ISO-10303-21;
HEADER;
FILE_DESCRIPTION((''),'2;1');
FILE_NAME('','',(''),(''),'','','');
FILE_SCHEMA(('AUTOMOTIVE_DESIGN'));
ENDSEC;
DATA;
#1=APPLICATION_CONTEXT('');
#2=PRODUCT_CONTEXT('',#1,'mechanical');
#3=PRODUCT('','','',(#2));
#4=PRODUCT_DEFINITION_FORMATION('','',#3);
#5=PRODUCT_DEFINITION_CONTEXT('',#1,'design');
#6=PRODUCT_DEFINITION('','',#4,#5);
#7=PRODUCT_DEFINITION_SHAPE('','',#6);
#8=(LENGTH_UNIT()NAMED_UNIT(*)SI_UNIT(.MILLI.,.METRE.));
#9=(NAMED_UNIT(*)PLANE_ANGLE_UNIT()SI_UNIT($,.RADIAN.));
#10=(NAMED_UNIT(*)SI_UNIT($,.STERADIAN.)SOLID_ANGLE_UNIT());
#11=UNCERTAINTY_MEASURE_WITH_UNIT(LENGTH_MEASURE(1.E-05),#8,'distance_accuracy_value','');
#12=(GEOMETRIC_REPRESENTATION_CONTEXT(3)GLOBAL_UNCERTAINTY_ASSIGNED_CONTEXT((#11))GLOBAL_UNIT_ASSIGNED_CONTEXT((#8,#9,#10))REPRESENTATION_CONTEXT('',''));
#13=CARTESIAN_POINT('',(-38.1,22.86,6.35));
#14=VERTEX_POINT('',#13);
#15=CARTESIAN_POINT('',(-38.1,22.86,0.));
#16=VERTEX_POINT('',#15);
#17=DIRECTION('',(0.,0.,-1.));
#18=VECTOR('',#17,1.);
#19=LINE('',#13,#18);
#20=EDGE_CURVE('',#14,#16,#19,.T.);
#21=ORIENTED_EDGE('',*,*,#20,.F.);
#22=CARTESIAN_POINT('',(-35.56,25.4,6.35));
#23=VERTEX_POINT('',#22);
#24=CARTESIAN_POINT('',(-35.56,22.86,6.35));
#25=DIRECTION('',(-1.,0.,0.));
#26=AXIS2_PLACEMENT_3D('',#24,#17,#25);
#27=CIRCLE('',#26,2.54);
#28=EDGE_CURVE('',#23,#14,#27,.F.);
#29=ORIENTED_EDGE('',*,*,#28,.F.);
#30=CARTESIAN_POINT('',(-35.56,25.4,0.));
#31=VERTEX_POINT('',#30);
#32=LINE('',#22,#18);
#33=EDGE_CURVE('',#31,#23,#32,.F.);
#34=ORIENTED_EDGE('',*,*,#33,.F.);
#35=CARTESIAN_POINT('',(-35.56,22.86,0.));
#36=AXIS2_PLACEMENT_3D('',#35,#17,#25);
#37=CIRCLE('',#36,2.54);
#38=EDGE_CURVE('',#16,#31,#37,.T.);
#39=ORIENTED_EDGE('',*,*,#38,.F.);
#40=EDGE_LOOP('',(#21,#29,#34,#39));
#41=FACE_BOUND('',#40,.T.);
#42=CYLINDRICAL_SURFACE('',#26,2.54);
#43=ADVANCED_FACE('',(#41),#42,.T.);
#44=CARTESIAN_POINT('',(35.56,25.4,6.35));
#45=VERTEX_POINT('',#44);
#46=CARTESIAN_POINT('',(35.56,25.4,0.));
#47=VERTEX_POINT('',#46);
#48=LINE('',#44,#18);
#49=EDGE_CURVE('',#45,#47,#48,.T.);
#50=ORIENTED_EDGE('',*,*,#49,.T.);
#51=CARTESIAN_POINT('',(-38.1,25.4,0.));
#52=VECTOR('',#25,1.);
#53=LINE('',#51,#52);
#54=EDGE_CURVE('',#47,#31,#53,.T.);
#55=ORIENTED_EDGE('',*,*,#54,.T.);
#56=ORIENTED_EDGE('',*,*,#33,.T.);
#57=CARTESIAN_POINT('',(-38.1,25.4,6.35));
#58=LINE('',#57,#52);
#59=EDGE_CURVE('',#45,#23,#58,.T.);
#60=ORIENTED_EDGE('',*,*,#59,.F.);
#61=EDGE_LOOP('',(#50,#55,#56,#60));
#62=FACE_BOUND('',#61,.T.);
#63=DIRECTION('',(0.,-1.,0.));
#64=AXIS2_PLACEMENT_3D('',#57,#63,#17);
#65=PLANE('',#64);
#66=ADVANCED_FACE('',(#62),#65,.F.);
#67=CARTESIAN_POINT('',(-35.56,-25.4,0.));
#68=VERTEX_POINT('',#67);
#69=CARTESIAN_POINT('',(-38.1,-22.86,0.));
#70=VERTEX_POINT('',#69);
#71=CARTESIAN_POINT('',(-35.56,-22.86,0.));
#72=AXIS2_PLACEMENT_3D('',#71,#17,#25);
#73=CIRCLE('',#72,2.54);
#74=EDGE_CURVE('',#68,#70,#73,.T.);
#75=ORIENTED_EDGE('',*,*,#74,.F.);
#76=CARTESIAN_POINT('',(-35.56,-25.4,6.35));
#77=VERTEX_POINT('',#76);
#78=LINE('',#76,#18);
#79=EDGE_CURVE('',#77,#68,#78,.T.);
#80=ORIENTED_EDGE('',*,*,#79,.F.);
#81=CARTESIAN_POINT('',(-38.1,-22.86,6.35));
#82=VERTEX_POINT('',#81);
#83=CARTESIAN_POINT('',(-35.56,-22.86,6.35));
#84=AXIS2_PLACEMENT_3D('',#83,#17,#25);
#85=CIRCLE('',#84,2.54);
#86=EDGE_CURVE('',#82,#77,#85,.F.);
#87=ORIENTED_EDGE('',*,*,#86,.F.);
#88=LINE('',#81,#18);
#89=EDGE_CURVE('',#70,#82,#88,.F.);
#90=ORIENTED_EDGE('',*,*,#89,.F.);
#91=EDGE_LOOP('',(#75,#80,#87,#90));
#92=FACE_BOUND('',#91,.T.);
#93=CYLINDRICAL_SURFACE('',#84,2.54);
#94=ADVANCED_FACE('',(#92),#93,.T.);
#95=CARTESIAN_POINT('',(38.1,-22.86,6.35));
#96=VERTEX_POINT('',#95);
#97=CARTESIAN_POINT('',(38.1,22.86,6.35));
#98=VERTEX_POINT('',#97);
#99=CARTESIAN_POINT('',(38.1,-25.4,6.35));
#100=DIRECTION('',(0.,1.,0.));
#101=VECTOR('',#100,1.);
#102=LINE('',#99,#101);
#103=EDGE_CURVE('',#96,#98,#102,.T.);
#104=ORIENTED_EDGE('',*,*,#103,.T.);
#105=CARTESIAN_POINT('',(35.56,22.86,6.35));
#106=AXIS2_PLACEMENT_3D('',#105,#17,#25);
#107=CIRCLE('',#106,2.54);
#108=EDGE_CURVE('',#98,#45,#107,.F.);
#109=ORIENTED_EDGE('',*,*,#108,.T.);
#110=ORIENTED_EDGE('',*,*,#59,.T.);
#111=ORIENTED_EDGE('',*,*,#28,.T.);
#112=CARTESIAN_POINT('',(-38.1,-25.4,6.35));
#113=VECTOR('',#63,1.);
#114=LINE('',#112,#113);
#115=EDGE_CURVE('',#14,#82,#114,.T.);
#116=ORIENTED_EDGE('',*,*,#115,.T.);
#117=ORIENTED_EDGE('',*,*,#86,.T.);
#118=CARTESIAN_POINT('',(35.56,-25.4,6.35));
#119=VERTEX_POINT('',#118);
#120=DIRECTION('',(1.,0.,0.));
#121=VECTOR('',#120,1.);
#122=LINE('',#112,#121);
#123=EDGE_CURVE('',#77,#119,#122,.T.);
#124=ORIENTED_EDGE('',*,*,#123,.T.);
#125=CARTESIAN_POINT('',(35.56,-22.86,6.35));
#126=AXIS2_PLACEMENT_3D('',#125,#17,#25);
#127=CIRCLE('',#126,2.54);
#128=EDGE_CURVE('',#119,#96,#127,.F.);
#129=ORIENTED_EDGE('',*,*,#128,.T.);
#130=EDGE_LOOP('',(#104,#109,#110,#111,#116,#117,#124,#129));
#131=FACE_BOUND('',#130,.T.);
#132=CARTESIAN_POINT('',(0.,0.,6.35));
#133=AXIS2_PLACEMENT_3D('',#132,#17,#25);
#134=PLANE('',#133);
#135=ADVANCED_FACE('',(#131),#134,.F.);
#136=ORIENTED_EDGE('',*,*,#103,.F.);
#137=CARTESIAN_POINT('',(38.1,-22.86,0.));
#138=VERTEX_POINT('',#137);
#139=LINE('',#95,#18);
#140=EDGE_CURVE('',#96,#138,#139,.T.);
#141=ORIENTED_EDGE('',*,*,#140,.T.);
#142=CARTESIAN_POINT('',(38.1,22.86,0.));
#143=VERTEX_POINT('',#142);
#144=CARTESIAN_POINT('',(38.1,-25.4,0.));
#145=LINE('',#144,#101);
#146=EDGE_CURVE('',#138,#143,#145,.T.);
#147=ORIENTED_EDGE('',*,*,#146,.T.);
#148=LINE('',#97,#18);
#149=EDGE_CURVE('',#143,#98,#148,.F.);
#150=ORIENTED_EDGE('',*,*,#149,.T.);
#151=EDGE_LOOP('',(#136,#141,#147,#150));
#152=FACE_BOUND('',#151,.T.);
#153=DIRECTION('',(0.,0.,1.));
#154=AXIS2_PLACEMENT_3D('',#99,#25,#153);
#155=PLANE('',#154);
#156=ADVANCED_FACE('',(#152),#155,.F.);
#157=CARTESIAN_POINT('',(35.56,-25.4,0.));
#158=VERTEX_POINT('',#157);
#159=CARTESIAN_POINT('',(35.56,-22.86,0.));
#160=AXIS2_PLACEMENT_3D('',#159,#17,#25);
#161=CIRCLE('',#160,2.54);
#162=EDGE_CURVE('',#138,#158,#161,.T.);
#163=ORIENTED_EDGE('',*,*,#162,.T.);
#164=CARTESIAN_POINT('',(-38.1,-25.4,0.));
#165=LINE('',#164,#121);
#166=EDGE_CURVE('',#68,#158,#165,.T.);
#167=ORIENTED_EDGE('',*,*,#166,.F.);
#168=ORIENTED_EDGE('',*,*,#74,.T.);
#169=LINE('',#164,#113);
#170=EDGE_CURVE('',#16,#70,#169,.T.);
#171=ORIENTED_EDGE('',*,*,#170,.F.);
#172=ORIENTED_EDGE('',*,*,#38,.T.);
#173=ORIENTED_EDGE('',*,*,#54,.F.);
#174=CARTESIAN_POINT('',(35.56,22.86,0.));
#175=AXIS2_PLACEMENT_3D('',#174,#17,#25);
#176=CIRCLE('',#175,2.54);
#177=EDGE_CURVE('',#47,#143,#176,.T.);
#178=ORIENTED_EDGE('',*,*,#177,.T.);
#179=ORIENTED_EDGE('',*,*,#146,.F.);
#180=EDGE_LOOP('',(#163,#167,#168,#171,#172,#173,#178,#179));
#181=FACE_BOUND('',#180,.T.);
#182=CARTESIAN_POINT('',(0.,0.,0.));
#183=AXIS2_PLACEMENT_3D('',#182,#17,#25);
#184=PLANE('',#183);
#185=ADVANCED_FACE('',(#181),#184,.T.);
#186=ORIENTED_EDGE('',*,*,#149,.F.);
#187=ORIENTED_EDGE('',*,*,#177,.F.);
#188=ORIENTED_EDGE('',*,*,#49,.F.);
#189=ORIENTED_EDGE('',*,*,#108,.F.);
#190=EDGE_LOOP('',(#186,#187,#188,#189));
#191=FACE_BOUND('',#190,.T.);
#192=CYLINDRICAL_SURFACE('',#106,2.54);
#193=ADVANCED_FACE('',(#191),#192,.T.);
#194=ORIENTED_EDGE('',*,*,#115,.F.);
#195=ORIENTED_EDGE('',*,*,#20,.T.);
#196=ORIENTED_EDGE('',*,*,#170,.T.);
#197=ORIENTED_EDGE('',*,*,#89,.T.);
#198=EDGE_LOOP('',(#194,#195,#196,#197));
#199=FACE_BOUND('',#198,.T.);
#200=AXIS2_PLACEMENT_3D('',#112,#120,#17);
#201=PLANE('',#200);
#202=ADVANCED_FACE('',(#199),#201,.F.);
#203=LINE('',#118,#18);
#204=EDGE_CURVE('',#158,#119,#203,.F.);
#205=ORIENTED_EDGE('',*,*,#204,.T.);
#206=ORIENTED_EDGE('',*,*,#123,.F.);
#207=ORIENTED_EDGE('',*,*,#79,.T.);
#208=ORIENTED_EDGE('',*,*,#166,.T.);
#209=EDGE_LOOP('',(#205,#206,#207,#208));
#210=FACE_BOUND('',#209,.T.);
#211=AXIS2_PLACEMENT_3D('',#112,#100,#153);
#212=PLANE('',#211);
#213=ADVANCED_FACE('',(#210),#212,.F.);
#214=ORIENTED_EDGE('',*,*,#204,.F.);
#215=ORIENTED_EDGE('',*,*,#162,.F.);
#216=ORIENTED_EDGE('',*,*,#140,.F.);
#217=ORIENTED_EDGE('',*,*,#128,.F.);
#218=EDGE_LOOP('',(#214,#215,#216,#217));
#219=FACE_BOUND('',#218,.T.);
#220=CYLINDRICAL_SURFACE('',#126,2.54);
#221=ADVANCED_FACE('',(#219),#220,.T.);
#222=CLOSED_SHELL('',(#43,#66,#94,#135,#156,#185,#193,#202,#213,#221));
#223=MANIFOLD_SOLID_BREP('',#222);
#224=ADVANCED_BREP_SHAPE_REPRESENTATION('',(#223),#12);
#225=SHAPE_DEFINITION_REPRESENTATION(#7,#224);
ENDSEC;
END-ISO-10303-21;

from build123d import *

# Parameters (mm, degrees)
SKETCH1_W           = 76.2
SKETCH1_H           = 50.8
BOSS_EXTRUDE1_DEPTH = 6.35
FILLET1_R           = 2.54


with BuildPart() as part:
    # Sketch1 → Boss-Extrude1 (new body)
    with BuildSketch(Plane.XY):
        Rectangle(SKETCH1_W, SKETCH1_H)
    extrude(amount=BOSS_EXTRUDE1_DEPTH)

    # Fillet1
    fillet1_edges = [part.edges().sort_by_distance(p)[0] for p in [
        (38.1, -25.4, 3.175),
        (-38.1, -25.4, 3.175),
        (-38.1, 25.4, 3.175),
        (38.1, 25.4, 3.175),
    ]]
    fillet(fillet1_edges, radius=FILLET1_R)


solid = part.part
